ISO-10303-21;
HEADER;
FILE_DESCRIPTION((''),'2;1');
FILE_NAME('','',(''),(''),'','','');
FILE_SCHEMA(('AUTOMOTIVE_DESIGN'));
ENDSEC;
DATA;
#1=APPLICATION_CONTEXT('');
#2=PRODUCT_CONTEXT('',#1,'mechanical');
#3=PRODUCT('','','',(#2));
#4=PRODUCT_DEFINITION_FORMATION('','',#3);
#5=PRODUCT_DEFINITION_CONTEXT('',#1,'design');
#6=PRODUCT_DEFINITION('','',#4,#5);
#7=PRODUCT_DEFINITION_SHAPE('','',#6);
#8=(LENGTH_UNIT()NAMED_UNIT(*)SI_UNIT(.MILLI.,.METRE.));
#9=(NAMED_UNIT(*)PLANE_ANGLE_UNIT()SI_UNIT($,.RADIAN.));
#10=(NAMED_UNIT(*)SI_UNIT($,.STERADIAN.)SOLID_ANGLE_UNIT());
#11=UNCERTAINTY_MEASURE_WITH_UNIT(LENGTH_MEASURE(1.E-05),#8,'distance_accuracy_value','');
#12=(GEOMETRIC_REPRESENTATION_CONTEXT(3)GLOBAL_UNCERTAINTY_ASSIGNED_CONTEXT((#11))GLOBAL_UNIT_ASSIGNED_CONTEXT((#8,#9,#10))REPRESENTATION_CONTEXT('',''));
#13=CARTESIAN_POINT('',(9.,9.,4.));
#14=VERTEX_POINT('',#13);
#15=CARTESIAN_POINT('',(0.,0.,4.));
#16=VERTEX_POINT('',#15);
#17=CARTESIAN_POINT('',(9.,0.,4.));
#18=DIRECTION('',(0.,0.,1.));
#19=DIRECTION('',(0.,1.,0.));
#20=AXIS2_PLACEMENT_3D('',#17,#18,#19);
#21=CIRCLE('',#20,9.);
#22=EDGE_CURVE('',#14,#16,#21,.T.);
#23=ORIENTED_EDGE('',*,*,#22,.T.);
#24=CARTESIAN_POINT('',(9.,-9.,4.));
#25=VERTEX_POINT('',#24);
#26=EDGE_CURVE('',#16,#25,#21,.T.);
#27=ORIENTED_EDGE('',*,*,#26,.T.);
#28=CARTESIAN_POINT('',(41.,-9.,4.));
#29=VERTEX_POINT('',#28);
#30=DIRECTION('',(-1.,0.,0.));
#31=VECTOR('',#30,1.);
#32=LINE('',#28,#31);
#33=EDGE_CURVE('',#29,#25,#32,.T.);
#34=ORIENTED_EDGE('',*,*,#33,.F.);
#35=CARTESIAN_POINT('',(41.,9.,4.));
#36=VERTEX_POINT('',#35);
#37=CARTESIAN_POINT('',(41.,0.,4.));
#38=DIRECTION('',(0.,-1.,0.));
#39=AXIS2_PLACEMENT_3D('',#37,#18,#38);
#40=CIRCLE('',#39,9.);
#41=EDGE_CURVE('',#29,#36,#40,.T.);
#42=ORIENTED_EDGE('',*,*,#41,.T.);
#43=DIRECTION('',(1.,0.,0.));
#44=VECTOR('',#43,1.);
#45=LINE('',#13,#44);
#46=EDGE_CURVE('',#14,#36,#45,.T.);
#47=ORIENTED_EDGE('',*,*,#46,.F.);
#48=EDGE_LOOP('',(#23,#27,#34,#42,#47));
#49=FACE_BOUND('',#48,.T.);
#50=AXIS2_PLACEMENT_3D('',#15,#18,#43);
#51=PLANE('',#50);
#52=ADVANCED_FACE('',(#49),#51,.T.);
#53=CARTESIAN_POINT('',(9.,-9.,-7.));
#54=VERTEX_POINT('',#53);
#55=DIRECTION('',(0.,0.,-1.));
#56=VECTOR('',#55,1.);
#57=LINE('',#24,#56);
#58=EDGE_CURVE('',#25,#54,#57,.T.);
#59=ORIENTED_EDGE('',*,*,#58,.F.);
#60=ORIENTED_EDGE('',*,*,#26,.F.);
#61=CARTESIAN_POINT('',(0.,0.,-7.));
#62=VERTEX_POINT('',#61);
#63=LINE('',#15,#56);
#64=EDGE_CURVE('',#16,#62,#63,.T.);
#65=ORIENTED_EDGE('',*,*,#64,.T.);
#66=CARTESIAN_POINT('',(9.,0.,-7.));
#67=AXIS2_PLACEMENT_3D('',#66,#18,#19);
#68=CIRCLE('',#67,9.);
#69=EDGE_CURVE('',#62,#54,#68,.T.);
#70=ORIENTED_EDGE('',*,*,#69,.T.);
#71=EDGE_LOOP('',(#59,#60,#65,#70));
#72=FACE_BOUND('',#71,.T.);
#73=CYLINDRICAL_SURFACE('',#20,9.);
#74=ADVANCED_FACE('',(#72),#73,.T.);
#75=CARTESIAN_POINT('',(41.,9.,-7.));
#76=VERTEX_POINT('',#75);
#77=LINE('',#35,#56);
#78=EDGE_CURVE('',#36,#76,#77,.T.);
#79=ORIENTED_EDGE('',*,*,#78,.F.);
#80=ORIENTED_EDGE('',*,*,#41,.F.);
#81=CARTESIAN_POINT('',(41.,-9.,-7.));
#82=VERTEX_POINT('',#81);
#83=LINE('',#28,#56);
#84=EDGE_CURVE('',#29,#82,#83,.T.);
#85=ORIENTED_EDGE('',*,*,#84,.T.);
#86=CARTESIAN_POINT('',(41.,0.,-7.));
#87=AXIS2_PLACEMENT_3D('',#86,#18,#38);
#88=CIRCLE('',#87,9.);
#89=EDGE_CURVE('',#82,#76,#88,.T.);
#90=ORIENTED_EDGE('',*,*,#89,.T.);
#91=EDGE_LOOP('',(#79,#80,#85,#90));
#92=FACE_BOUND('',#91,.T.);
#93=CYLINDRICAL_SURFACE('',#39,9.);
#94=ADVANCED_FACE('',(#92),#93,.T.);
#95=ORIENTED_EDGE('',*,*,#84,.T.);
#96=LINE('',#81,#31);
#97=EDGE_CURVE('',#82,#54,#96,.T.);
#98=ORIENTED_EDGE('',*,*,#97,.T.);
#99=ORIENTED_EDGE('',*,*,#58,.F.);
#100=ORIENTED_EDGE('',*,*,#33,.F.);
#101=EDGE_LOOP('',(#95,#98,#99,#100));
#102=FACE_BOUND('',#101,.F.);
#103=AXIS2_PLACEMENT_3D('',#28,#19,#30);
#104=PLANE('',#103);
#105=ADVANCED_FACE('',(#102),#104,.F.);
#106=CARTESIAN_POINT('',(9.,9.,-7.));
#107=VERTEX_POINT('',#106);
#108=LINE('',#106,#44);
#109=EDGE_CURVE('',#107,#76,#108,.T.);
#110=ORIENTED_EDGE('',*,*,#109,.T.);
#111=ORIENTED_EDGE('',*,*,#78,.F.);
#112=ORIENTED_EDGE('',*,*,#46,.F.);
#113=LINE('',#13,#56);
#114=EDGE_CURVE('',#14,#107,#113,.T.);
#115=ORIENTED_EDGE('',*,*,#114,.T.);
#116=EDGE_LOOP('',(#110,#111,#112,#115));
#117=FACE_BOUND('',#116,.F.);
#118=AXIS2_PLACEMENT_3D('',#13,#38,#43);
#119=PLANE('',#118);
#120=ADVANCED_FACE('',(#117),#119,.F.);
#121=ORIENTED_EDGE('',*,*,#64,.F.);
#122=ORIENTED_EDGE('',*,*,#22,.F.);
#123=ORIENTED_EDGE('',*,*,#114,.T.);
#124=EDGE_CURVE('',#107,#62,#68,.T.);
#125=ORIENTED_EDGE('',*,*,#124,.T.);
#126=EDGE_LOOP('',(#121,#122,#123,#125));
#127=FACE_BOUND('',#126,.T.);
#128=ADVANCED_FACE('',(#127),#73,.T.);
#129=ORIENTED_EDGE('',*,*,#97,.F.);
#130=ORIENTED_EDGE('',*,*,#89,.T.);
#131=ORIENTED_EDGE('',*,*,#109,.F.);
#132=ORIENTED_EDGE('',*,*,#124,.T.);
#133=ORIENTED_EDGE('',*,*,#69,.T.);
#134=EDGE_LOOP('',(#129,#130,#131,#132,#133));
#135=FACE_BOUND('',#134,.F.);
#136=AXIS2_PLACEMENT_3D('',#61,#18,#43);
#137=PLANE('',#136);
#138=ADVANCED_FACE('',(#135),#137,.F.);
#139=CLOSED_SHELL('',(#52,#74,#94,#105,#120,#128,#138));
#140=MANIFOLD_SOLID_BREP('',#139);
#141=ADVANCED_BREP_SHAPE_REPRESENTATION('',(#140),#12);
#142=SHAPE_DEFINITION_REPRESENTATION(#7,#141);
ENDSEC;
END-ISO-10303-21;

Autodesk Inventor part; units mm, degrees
sketch "草图1" plane through (0, 0, 0) normal (0, 0, 1) x (1, 0, 0)
  line L0 (9, 9) -> (41, 9)
  line L1 (41, -9) -> (9, -9)
  arc A0 (9, 9) -> (9, -9) centre (9, 0) ccw
  line L2 (0, 9.4) -> (0, -7.4) projected
  line L3 (-5, 0) -> (30, 0) projected
  arc A1 (41, -9) -> (41, 9) centre (41, 0) ccw
  line L4 (50, 0) -> (50, 7) construction
  dimension "d0" = 9
  dimension "d8" = 9
  dimension "d9" = 50
ref_plane "Work Plane1" through (0, 0, -7) normal (0, 0, 1) x (1, 0, 0)
ref_plane "Work Plane2" through (0, 0, 4) normal (0, 0, 1) x (1, 0, 0)
extrude "轴承体1" add sketch "草图1" against normal up to surface (11 mm away) from surface at 4
ref_plane "Work Plane3" through (50, 0, 4) normal (1, 0, 0) x (0, 1, 0)
equation "\"d0\" = 0.5 * PB"
equation "\"d8\" = 0.5 * PB"
equation "\"d9\" = NLG"
equation "\"d1\" = -PNT"
equation "\"d2\" = PH - PNT"
equation "\"NLG\" = 50"
equation "\"PB\" = 18"
equation "\"PNT\" = 7"
equation "\"PH\" = 11"
equation "\"RR\" = 0.001"
equation "\"WDMIN\" = 58"
equation "\"PHH\" = 0"
equation "\"WDMAX\" = 65"
equation "\"PUEB\" = 4.4"
properties part number "DIN 6885 - A 18 x 11 x 50" material "钢，软"
